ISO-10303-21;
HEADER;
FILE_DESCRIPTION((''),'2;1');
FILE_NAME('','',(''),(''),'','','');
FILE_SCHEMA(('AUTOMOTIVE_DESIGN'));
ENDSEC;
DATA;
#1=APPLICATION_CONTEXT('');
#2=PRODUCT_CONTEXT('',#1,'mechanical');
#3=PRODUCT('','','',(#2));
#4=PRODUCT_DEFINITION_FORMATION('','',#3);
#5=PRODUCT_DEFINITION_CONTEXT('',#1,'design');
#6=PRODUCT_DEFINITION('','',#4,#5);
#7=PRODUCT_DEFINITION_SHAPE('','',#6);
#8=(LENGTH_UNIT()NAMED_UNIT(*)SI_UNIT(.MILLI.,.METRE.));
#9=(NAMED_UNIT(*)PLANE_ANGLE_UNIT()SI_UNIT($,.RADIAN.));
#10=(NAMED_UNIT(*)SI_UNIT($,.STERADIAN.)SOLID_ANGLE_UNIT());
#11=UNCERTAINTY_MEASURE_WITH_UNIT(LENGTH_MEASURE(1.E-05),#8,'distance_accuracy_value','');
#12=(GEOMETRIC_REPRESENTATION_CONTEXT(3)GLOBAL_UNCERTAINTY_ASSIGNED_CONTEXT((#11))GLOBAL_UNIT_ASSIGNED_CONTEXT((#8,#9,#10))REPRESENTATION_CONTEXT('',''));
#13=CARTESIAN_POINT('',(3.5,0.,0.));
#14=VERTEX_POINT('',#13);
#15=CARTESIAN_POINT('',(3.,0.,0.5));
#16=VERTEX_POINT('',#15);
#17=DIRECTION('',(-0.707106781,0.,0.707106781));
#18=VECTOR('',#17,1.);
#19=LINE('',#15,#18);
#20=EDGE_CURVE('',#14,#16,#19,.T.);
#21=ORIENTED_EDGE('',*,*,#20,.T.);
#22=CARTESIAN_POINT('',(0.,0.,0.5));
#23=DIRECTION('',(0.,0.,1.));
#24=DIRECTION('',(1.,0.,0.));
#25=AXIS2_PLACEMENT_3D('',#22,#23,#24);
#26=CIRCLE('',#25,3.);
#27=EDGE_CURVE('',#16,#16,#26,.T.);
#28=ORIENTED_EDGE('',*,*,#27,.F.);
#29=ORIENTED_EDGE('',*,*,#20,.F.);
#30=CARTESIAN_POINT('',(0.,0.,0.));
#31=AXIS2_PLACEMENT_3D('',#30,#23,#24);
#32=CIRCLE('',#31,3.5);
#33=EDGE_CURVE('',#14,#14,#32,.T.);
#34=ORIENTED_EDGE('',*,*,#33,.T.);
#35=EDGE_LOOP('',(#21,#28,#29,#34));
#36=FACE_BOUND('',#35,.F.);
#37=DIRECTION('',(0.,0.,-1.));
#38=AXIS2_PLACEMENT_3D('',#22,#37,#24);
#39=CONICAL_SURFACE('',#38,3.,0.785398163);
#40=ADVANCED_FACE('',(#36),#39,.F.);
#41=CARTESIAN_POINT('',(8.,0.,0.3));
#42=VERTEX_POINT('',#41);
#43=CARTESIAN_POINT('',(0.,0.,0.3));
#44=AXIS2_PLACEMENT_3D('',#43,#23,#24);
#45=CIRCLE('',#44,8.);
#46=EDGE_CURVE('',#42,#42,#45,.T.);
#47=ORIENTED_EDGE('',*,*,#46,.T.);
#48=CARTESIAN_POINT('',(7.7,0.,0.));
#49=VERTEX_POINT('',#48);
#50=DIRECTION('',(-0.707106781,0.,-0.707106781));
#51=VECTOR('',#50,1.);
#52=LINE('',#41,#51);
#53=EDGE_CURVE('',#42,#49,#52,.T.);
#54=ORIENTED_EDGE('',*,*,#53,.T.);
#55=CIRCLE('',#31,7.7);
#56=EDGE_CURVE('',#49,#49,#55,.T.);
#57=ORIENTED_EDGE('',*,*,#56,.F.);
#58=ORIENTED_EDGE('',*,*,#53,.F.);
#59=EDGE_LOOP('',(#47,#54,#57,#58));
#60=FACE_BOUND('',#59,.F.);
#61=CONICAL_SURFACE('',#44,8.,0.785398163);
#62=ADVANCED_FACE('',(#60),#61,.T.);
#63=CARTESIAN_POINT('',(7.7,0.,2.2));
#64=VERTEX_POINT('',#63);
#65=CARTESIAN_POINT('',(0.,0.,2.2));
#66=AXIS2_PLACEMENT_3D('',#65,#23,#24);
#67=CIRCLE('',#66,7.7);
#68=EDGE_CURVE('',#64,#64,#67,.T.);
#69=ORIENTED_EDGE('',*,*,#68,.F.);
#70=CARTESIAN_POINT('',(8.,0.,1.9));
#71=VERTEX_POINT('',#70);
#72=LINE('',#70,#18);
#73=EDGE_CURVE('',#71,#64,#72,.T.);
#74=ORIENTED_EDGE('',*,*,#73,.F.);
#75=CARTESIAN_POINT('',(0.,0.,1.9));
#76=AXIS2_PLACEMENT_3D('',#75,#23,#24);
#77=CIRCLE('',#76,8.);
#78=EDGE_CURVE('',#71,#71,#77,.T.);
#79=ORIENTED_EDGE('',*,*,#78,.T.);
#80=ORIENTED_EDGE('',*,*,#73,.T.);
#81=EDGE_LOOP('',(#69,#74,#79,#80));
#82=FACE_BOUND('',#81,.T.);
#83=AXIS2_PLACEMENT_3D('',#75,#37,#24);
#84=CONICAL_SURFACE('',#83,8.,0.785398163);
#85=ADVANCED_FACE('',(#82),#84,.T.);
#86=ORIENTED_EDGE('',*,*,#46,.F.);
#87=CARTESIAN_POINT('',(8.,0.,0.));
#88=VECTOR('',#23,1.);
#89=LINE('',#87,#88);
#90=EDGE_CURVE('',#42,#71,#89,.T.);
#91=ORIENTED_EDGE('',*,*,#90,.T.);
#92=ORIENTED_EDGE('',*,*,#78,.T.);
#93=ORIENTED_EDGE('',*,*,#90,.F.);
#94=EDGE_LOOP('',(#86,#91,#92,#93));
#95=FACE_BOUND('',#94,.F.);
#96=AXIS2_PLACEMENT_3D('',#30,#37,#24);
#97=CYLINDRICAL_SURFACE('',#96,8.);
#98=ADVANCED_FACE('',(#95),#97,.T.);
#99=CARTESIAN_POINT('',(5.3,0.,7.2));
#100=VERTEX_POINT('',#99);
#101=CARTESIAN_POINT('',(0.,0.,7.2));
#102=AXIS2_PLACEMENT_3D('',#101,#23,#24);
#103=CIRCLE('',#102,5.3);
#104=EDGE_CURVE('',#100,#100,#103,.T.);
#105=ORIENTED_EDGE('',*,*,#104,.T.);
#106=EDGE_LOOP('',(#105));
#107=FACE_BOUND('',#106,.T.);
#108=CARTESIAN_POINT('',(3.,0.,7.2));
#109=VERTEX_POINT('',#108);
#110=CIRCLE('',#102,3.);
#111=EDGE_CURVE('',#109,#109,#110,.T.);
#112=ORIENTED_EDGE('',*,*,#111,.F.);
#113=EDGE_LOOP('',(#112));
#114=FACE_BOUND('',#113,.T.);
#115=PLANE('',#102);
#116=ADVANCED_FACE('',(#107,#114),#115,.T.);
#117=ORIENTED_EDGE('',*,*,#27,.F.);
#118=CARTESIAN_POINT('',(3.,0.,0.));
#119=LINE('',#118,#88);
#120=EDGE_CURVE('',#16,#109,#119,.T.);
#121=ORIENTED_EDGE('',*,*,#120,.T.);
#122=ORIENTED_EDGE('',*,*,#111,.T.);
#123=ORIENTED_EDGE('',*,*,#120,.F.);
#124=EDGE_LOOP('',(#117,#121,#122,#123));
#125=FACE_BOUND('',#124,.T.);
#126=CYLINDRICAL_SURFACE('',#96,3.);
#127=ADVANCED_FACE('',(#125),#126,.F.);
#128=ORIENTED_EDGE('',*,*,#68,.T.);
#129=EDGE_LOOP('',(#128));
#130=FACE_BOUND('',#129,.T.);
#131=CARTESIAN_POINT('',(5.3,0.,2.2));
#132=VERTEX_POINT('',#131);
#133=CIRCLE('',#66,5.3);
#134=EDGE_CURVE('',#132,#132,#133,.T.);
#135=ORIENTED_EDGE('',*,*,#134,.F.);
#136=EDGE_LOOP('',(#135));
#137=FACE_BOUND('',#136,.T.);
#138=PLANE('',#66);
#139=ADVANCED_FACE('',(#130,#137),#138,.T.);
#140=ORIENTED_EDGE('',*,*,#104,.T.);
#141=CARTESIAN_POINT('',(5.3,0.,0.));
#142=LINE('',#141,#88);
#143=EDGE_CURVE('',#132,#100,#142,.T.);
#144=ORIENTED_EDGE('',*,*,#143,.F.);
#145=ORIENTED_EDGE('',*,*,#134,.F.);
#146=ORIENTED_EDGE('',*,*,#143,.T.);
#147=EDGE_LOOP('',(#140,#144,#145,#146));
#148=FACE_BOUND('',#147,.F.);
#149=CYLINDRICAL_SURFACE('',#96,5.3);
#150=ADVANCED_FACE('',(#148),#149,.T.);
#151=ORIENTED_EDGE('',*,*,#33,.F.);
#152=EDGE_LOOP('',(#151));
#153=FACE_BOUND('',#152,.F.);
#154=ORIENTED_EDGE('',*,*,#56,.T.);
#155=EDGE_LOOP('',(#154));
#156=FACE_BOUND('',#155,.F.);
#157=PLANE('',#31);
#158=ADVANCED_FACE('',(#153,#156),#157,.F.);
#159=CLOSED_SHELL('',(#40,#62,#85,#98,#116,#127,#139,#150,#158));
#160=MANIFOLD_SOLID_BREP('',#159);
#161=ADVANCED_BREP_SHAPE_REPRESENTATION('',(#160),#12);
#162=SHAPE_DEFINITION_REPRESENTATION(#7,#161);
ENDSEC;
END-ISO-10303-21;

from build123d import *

# Parameters (mm, degrees)
F0_R     = 5.3
F0_R_2   = 3
F1_DEPTH = 7.2
F0_R_3   = 8
F2_DEPTH = 2.2
F3_SIZE  = 0.5
F4_SIZE  = 0.3
F5_SIZE  = 0.3


with BuildPart() as f1:
    # F0 (on Top) → F1 (new body)
    with BuildSketch(Plane.XY):
        Circle(F0_R)
        Circle(F0_R_2, mode=Mode.SUBTRACT)
    extrude(amount=F1_DEPTH)

    # F0 (on Top) → F2 (join)
    with BuildSketch(Plane.XY):
        Circle(F0_R_3)
        Circle(F0_R, mode=Mode.SUBTRACT)
    extrude(amount=F2_DEPTH)

    # F3
    f3_edges = [f1.edges().sort_by_distance(p)[0] for p in [
        (-3, 0, 0),
    ]]
    chamfer(f3_edges, length=F3_SIZE)

    # F4
    f4_edges = [f1.edges().sort_by_distance(p)[0] for p in [
        (-8, 0, 2.2),
    ]]
    chamfer(f4_edges, length=F4_SIZE)

    # F5
    f5_edges = [f1.edges().sort_by_distance(p)[0] for p in [
        (-8, 0, 0),
    ]]
    chamfer(f5_edges, length=F5_SIZE)


solid = f1.part
